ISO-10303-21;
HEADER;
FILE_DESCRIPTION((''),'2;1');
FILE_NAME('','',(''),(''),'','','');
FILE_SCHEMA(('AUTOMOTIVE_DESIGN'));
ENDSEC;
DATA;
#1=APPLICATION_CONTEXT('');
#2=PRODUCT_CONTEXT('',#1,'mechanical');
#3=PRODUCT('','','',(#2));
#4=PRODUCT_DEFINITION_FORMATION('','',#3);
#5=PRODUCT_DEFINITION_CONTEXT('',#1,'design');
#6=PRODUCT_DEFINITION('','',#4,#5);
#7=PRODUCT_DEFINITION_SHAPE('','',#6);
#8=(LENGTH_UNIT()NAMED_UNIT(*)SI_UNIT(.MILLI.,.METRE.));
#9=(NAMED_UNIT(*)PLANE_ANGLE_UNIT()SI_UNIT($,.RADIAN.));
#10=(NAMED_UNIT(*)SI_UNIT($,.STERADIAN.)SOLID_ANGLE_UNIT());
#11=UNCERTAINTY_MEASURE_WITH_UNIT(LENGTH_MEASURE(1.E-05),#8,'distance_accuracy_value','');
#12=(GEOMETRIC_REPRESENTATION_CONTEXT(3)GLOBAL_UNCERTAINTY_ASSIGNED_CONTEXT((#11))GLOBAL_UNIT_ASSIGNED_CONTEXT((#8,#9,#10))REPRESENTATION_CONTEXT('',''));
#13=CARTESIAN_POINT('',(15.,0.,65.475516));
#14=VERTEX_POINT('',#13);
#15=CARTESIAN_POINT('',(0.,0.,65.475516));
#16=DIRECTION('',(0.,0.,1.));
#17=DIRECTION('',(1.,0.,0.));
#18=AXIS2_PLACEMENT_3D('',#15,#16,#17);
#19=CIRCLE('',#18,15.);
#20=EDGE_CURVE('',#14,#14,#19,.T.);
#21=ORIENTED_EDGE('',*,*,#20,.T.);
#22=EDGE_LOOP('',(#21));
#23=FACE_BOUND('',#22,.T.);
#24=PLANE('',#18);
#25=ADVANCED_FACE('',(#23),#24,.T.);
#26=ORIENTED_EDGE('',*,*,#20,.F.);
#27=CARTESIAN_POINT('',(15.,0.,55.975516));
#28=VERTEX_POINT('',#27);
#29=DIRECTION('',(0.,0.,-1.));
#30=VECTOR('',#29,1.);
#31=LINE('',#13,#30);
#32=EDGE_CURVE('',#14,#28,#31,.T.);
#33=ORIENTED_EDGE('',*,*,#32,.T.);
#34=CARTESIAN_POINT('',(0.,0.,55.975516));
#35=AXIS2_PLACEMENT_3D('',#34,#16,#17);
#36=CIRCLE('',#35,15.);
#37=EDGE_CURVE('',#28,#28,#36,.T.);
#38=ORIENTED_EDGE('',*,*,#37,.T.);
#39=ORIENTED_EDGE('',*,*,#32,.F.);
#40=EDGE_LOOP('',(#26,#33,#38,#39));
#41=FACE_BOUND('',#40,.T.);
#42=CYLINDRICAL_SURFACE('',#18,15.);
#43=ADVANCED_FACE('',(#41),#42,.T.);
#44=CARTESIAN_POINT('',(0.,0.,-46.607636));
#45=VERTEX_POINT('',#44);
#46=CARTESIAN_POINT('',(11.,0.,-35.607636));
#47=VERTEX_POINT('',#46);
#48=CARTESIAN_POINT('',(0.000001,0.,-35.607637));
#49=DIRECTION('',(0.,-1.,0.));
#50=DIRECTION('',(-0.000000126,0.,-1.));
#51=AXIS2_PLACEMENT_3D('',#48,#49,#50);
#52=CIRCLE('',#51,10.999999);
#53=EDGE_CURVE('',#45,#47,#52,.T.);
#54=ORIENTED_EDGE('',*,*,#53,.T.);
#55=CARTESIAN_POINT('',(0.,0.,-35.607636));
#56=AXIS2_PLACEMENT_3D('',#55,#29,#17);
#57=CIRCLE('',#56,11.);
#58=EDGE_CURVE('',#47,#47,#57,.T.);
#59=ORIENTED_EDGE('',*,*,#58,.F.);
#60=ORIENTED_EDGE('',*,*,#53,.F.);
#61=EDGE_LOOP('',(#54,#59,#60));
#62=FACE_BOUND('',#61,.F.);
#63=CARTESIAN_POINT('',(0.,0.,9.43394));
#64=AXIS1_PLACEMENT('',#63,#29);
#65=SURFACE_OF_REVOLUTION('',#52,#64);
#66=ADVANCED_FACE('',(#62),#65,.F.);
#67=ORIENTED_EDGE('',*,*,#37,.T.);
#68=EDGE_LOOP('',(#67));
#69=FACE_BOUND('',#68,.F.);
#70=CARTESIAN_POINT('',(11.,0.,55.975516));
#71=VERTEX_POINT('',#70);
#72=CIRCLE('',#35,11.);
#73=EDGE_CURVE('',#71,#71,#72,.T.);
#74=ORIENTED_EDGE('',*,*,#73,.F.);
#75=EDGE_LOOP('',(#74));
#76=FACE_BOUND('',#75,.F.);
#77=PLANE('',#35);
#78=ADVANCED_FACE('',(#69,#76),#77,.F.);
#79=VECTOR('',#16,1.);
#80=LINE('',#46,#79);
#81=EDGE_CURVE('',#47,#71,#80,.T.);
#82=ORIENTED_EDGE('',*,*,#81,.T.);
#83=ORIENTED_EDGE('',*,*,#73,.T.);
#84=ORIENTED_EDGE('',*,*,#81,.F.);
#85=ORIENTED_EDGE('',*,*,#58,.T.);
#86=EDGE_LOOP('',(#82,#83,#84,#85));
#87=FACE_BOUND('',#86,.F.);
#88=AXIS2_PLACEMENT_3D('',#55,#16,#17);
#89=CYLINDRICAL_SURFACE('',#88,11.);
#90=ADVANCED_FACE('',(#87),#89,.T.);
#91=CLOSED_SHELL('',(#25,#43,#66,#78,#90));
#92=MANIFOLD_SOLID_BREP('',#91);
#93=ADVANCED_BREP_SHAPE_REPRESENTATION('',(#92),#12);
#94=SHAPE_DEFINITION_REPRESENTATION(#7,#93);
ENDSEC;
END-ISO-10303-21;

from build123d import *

# Parameters (mm, degrees)
F2_R     = 15
F2_R_2   = 11
F3_DEPTH = 9.5


with BuildPart() as f1:
    # F0 (on Front) → F1 (revolve)
    with BuildSketch(Plane.XZ):
        with BuildLine():
            Line((0, 65.475516), (0, -46.607636))
            ThreePointArc((0, -46.607636), (7.778175, -43.385811), (11, -35.607636))
            Line((11, -35.607636), (11, 65.475516))
            Line((11, 65.475516), (0, 65.475516))
        make_face()
    revolve(axis=Axis((0, 0, 9.43394), (0, 0, -1)))

    # F2 (on face) → F3 (join)
    with BuildSketch(Plane.XY.offset(65.475516)):
        Circle(F2_R)
        Circle(F2_R_2, mode=Mode.SUBTRACT)
    extrude(amount=-F3_DEPTH)


solid = f1.part
